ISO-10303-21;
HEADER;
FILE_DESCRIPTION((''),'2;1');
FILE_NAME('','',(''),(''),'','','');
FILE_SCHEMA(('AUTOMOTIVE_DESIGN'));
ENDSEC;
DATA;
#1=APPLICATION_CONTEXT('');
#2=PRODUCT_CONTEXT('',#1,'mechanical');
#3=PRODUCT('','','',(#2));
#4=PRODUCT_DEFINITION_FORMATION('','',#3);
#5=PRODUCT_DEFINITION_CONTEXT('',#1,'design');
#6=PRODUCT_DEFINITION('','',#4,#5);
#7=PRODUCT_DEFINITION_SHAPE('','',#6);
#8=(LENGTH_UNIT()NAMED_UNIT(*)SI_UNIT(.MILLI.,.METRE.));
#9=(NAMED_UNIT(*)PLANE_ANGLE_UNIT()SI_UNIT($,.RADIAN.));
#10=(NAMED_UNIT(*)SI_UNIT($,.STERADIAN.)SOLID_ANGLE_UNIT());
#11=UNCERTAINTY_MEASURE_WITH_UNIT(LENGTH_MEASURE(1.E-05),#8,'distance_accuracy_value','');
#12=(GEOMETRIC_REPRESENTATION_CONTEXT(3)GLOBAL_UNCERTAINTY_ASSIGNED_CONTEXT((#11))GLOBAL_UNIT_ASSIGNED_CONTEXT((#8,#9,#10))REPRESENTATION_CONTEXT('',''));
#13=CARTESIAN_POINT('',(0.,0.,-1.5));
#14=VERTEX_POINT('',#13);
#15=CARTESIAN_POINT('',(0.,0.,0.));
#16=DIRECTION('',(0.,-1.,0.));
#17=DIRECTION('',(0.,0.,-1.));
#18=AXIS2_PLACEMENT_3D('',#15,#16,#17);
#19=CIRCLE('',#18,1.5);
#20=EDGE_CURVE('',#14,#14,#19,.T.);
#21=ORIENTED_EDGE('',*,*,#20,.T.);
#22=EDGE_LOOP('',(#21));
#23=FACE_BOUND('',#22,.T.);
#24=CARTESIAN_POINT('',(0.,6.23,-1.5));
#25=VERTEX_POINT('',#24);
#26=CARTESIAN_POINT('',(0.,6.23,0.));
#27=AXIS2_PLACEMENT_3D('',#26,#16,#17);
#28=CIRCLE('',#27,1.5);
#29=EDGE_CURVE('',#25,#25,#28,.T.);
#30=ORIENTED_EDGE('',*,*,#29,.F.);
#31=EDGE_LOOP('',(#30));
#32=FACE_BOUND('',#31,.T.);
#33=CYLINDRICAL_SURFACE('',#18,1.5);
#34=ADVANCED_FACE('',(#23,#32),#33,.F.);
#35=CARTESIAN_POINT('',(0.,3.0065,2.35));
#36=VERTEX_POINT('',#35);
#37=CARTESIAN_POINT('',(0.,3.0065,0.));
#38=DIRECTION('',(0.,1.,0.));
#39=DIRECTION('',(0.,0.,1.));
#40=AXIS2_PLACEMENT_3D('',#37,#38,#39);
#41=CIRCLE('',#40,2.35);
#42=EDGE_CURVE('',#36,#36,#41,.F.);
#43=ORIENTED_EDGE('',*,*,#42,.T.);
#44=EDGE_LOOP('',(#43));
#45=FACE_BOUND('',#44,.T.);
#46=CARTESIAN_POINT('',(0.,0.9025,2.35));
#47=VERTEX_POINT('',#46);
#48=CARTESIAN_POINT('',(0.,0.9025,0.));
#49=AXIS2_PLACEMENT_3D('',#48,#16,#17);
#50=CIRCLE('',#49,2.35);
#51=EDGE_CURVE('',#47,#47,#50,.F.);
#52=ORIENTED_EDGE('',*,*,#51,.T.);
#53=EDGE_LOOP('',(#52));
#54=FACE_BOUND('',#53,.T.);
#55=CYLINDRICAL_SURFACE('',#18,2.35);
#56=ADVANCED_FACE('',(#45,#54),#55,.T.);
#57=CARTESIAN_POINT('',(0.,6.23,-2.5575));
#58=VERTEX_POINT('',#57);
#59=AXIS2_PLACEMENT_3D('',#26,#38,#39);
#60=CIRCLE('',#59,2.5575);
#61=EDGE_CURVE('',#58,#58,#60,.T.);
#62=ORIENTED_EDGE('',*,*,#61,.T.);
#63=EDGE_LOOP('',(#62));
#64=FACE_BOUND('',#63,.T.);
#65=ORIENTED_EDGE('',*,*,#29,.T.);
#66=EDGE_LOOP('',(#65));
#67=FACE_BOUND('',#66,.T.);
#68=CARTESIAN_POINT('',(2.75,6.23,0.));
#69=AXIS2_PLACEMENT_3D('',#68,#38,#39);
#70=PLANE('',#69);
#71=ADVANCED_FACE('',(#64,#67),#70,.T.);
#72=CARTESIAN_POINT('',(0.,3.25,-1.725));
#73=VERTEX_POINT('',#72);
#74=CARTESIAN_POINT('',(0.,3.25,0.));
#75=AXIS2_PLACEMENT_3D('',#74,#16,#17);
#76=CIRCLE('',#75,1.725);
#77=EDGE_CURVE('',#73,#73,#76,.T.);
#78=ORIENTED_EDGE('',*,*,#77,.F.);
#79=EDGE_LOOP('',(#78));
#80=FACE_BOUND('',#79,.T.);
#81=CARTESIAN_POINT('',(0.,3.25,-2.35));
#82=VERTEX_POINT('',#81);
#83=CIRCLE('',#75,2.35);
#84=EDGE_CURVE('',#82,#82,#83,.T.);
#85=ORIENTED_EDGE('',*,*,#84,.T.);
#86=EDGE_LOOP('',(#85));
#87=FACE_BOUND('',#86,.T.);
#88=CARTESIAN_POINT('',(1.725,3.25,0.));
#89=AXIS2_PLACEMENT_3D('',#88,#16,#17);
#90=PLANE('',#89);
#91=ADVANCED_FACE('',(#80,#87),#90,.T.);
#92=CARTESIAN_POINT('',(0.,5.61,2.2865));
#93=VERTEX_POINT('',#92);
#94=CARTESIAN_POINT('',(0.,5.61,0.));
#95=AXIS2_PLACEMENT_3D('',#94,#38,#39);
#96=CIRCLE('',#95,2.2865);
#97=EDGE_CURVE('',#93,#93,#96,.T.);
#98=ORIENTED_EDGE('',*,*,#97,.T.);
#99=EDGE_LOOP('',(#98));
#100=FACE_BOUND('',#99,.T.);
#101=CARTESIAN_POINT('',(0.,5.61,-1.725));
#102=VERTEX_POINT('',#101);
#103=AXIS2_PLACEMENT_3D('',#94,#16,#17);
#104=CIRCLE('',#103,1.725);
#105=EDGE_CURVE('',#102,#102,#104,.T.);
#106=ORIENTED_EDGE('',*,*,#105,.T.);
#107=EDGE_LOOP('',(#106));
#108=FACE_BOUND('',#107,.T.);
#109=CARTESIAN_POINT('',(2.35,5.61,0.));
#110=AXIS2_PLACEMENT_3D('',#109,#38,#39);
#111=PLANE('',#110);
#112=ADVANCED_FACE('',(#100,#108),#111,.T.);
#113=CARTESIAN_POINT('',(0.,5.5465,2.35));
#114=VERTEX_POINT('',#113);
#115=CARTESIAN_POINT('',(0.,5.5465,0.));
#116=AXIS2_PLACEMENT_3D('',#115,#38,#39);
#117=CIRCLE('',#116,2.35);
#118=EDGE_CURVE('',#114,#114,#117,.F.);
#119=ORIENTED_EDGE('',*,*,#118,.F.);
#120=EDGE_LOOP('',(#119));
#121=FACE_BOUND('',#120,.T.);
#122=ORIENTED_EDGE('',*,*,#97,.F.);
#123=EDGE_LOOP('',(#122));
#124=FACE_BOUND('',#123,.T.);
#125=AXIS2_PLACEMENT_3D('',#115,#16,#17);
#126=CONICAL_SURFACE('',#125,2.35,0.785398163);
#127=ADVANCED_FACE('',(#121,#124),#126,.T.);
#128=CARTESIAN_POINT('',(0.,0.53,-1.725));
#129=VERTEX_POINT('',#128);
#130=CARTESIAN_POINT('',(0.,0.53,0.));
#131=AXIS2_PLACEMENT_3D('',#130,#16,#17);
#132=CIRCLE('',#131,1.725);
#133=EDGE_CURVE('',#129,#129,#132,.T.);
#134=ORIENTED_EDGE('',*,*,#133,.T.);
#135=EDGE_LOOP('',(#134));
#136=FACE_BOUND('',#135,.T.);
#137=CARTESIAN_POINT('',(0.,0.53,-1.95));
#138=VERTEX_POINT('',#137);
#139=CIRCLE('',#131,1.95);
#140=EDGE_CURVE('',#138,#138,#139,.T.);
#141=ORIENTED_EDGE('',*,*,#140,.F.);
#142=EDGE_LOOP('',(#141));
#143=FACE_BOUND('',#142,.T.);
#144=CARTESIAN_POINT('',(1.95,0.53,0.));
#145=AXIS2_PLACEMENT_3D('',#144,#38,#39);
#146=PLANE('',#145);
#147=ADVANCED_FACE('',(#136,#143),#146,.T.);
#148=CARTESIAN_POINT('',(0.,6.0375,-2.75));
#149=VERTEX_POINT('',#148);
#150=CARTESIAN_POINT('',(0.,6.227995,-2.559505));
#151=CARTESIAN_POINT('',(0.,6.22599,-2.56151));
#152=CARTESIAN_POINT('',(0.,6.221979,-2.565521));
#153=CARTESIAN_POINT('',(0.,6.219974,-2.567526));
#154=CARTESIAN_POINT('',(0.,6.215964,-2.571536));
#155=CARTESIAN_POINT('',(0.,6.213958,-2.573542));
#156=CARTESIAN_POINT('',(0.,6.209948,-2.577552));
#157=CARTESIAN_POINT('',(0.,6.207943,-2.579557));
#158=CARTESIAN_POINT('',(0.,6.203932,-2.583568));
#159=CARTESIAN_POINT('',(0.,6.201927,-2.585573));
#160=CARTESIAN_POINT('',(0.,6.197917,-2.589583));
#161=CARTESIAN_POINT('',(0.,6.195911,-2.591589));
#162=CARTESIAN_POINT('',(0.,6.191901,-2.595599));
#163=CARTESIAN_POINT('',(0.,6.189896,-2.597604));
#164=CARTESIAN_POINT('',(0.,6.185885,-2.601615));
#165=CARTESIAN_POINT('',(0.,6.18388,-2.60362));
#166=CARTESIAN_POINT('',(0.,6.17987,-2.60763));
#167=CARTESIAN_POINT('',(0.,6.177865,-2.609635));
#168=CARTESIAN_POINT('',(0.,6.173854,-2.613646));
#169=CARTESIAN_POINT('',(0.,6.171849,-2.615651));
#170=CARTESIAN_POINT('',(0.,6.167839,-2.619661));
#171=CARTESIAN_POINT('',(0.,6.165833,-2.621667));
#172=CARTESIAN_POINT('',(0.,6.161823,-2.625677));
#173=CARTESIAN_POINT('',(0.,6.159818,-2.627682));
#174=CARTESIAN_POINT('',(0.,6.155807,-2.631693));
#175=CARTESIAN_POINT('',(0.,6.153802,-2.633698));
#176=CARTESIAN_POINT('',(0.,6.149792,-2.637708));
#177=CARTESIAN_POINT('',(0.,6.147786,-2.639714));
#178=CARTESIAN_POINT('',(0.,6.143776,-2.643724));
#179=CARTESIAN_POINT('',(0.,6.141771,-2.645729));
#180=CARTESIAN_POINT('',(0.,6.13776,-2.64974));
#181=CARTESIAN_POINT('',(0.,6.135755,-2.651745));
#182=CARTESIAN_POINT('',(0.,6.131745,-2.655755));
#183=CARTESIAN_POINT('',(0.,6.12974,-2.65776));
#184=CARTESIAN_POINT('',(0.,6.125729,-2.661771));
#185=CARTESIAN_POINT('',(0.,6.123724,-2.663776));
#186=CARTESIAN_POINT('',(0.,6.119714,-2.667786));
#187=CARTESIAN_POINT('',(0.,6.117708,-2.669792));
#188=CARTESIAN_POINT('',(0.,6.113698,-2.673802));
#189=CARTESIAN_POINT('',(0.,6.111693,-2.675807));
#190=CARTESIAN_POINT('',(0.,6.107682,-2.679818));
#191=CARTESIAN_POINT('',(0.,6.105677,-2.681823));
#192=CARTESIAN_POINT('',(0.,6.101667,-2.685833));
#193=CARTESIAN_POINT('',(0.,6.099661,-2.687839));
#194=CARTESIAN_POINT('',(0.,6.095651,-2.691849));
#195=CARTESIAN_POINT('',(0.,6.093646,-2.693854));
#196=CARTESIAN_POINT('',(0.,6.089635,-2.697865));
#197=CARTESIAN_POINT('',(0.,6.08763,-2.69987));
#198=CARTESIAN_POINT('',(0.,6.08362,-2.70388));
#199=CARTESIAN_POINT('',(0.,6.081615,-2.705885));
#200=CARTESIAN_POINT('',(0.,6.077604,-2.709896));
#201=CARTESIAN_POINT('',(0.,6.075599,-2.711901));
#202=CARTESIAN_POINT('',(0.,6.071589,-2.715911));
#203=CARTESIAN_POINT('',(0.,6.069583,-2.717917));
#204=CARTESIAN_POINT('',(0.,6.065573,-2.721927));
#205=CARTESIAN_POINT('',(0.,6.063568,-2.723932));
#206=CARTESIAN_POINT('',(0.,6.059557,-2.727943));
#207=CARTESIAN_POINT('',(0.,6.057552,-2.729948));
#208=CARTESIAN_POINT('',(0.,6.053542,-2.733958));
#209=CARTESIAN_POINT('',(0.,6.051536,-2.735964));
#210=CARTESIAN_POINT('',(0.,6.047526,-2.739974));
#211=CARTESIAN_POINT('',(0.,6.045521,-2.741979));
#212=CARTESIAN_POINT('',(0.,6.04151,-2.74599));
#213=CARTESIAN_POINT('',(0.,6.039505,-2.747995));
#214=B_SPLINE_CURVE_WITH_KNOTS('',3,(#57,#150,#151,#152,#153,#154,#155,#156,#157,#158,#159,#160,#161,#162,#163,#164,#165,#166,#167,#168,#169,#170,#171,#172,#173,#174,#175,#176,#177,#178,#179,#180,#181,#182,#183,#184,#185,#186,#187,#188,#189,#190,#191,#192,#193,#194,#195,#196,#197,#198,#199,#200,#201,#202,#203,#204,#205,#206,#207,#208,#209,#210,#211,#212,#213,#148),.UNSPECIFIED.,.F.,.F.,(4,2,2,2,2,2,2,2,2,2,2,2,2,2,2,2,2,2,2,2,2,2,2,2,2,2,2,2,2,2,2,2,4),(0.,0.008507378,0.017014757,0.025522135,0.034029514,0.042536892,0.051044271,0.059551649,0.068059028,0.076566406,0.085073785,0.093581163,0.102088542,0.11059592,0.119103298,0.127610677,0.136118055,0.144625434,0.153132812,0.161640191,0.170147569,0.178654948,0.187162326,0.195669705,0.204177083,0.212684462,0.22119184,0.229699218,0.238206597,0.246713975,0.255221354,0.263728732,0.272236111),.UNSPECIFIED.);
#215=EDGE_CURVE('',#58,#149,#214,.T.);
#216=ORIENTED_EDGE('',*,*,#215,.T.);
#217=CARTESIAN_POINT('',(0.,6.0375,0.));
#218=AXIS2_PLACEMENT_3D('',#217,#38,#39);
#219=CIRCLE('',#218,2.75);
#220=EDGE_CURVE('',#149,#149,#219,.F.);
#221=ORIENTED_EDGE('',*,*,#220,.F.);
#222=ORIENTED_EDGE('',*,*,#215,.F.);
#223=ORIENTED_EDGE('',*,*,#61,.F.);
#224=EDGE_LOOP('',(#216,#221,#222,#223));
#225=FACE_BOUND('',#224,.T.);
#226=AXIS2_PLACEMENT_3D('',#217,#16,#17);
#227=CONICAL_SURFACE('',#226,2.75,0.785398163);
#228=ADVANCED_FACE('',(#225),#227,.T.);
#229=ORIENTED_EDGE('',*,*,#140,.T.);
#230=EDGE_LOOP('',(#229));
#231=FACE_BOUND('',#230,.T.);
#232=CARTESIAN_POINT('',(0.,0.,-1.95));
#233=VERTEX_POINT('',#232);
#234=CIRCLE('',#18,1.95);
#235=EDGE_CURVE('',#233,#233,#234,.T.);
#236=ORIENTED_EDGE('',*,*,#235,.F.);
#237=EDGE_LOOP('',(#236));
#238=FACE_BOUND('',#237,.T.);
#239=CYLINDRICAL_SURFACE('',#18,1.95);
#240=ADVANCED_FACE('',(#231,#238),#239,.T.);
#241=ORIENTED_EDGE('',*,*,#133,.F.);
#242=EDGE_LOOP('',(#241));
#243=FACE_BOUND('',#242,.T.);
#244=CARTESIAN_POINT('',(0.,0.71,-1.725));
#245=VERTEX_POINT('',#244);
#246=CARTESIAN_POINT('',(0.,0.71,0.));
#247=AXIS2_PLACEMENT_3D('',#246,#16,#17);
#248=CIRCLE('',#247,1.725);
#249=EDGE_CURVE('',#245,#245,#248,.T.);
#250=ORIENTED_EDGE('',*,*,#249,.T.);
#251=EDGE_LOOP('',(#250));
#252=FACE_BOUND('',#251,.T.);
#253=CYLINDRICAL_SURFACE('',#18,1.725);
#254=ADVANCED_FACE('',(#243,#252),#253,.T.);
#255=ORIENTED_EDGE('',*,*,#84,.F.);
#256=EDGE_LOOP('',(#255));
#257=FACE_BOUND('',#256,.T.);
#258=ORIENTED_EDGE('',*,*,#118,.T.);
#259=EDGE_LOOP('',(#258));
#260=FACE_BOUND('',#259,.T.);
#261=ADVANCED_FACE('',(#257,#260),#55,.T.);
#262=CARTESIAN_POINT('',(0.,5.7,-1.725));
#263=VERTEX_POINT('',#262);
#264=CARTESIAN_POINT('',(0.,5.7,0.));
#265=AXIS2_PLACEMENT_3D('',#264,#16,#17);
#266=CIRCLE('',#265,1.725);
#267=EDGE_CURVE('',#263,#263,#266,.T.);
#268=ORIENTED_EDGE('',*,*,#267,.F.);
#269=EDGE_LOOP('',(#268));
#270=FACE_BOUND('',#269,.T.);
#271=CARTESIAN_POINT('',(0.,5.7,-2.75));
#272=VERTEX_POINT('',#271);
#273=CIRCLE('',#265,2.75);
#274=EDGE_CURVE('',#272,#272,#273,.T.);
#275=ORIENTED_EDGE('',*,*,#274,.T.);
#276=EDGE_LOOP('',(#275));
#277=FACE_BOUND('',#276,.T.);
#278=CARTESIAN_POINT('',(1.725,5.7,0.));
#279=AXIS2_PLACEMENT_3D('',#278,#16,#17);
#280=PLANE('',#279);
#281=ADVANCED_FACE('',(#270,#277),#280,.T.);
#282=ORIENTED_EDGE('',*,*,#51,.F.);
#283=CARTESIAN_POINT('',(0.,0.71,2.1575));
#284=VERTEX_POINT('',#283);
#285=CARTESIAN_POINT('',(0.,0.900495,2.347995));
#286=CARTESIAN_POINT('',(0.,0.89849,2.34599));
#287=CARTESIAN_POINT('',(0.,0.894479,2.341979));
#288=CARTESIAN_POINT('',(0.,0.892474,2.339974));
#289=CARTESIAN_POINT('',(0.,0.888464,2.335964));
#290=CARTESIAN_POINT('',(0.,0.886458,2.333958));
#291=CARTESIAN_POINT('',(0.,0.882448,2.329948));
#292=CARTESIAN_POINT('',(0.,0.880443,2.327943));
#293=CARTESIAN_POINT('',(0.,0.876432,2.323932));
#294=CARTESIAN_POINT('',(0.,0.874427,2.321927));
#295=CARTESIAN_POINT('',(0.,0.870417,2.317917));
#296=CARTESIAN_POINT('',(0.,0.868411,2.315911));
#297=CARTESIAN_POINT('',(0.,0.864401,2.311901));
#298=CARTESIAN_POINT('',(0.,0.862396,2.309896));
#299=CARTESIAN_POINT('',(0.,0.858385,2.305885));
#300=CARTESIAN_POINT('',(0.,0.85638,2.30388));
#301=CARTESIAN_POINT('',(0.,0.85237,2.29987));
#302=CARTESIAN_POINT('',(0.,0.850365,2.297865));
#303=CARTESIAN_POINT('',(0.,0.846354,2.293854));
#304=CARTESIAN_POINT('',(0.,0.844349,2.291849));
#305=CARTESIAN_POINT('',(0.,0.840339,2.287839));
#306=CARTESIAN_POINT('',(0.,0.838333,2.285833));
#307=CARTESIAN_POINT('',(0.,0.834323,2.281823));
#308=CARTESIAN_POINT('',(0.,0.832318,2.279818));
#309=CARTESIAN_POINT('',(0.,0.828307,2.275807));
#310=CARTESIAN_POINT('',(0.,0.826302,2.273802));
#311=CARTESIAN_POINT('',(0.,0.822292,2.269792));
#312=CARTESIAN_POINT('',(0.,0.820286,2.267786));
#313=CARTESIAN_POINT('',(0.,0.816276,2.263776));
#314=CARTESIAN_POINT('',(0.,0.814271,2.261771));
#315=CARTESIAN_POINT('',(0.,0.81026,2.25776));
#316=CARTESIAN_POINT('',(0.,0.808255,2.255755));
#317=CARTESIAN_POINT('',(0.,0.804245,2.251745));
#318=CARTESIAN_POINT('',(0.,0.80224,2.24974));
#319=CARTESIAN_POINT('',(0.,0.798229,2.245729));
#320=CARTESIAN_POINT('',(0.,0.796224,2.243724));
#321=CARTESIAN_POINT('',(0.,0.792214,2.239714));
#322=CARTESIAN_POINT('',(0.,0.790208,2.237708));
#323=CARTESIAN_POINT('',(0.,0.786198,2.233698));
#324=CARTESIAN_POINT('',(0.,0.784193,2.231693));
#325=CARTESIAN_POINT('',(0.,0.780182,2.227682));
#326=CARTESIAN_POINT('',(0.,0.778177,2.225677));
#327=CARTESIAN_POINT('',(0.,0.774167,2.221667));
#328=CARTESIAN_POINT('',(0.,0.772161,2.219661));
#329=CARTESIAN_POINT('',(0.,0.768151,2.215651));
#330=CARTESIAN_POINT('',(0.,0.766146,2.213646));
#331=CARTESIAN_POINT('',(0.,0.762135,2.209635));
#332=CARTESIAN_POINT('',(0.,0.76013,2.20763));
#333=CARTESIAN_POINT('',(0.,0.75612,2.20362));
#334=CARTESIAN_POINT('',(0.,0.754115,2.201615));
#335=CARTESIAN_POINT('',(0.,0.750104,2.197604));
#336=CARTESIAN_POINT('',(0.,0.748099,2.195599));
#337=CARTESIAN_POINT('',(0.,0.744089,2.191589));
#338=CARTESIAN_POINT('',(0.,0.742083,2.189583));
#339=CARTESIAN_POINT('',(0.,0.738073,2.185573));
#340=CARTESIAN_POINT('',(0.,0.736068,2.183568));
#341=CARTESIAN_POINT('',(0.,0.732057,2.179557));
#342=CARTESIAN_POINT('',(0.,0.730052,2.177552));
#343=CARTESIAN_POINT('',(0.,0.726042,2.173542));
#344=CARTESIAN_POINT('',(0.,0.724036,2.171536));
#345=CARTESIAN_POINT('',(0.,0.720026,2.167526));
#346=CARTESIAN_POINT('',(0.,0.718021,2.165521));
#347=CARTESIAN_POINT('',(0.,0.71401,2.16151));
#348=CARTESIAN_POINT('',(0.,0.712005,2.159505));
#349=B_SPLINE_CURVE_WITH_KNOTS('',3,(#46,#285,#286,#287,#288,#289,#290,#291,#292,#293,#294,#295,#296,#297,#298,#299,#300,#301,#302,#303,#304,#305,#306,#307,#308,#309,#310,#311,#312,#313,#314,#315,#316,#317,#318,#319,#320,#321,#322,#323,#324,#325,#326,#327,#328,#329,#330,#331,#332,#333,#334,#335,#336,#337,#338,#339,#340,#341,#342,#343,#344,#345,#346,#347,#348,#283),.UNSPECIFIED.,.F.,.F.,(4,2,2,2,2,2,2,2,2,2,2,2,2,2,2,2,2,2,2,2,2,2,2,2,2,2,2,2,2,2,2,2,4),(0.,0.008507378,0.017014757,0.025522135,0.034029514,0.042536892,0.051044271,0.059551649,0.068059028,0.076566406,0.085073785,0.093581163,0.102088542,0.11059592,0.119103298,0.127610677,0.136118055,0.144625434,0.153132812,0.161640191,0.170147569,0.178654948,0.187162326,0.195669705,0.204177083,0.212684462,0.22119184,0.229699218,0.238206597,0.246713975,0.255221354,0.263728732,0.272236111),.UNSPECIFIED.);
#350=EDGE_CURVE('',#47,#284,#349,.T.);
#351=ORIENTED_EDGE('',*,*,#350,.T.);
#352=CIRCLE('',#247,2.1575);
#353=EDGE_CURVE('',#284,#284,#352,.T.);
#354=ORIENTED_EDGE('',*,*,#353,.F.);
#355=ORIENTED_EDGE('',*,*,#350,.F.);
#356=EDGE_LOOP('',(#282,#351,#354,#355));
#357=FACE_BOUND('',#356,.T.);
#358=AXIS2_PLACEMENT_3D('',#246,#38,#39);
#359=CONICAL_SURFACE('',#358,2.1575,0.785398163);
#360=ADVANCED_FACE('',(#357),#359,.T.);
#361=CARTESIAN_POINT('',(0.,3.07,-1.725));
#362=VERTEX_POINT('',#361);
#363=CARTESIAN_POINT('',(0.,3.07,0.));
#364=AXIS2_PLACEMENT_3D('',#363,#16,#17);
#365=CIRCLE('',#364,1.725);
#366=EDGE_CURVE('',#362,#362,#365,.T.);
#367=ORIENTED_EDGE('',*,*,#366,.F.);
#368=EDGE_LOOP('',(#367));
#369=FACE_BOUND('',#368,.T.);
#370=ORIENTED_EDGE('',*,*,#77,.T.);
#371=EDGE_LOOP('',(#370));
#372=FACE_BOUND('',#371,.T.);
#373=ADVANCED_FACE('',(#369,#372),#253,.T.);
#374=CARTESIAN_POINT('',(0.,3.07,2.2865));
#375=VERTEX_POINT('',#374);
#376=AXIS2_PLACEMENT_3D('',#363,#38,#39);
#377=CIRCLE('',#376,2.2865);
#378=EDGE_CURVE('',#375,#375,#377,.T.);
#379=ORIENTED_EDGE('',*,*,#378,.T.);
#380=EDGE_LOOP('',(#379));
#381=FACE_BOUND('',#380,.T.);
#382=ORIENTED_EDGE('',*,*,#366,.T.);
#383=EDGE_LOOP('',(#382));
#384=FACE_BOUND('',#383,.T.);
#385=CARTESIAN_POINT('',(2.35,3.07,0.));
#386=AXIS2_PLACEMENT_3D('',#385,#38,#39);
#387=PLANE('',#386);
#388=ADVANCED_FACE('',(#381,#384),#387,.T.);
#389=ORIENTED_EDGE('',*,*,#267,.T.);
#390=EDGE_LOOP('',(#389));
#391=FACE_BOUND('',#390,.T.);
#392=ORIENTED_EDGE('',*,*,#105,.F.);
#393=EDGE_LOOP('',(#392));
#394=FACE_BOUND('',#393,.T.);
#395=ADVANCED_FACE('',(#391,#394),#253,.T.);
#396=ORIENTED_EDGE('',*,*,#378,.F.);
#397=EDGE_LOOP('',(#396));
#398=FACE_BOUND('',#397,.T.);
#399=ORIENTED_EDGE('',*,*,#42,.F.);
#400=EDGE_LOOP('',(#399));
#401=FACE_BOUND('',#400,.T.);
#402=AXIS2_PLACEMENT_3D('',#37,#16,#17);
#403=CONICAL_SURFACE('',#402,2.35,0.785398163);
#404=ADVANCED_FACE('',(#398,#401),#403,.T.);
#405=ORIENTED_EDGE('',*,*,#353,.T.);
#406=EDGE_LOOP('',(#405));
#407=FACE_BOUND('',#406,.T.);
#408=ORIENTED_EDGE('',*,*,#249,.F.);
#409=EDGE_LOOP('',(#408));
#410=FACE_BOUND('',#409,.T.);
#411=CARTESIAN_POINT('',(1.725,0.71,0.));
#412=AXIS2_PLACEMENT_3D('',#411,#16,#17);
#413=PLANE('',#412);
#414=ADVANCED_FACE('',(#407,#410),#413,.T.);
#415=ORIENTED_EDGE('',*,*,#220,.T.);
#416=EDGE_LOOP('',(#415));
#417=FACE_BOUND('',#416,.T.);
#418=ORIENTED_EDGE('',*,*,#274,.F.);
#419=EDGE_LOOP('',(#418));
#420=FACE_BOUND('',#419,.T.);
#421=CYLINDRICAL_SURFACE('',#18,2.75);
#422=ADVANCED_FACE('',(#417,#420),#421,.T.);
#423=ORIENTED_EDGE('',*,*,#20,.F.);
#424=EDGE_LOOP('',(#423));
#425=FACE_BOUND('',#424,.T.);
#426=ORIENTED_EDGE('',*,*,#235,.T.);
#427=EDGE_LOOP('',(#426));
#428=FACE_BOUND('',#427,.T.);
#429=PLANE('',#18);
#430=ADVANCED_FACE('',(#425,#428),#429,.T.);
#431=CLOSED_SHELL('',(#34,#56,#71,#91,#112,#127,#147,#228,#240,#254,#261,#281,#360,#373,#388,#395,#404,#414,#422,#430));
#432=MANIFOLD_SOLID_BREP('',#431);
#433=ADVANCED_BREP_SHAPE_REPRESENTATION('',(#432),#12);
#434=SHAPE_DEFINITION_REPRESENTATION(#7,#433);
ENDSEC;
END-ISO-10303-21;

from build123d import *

# Parameters (mm, degrees)
SKETCH5_W     = 1.5
SKETCH5_H     = 6.23
CHAMFER1_SIZE = 0.0635
CHAMFER2_SIZE = 0.1925


with BuildPart() as part:
    # Sketch3 → Revolve1 (revolve)
    with BuildSketch(Plane.XY):
        Polygon((0, 0), (1.95, 0), (1.95, 0.53), (1.725, 0.53), (1.725, 0.71), (2.35, 0.71), (2.35, 3.07), (1.725, 3.07), (1.725, 3.25), (2.35, 3.25), (2.35, 5.61), (1.725, 5.61), (1.725, 5.7), (2.75, 5.7), (2.75, 6.23), (0, 6.23), align=None)
    revolve(axis=Axis((0, 0, 0), (0, 1, 0)))

    # Sketch5 → Cut-Revolve1 (revolve, cut)
    with BuildSketch(Plane.XY):
        with Locations((0.75, 3.115)):
            Rectangle(SKETCH5_W, SKETCH5_H)
    revolve(axis=Axis((0, 0, 0), (0, 1, 0)), mode=Mode.SUBTRACT)

    # Chamfer1
    chamfer1_edges = [part.edges().sort_by_distance(p)[0] for p in [
        (-2.35, 3.07, 0),
        (-2.35, 5.61, 0),
    ]]
    chamfer(chamfer1_edges, length=CHAMFER1_SIZE)

    # Chamfer2
    chamfer2_edges = [part.edges().sort_by_distance(p)[0] for p in [
        (-2.75, 6.23, 0),
        (-2.35, 0.71, 0),
    ]]
    chamfer(chamfer2_edges, length=CHAMFER2_SIZE)


solid = part.part
